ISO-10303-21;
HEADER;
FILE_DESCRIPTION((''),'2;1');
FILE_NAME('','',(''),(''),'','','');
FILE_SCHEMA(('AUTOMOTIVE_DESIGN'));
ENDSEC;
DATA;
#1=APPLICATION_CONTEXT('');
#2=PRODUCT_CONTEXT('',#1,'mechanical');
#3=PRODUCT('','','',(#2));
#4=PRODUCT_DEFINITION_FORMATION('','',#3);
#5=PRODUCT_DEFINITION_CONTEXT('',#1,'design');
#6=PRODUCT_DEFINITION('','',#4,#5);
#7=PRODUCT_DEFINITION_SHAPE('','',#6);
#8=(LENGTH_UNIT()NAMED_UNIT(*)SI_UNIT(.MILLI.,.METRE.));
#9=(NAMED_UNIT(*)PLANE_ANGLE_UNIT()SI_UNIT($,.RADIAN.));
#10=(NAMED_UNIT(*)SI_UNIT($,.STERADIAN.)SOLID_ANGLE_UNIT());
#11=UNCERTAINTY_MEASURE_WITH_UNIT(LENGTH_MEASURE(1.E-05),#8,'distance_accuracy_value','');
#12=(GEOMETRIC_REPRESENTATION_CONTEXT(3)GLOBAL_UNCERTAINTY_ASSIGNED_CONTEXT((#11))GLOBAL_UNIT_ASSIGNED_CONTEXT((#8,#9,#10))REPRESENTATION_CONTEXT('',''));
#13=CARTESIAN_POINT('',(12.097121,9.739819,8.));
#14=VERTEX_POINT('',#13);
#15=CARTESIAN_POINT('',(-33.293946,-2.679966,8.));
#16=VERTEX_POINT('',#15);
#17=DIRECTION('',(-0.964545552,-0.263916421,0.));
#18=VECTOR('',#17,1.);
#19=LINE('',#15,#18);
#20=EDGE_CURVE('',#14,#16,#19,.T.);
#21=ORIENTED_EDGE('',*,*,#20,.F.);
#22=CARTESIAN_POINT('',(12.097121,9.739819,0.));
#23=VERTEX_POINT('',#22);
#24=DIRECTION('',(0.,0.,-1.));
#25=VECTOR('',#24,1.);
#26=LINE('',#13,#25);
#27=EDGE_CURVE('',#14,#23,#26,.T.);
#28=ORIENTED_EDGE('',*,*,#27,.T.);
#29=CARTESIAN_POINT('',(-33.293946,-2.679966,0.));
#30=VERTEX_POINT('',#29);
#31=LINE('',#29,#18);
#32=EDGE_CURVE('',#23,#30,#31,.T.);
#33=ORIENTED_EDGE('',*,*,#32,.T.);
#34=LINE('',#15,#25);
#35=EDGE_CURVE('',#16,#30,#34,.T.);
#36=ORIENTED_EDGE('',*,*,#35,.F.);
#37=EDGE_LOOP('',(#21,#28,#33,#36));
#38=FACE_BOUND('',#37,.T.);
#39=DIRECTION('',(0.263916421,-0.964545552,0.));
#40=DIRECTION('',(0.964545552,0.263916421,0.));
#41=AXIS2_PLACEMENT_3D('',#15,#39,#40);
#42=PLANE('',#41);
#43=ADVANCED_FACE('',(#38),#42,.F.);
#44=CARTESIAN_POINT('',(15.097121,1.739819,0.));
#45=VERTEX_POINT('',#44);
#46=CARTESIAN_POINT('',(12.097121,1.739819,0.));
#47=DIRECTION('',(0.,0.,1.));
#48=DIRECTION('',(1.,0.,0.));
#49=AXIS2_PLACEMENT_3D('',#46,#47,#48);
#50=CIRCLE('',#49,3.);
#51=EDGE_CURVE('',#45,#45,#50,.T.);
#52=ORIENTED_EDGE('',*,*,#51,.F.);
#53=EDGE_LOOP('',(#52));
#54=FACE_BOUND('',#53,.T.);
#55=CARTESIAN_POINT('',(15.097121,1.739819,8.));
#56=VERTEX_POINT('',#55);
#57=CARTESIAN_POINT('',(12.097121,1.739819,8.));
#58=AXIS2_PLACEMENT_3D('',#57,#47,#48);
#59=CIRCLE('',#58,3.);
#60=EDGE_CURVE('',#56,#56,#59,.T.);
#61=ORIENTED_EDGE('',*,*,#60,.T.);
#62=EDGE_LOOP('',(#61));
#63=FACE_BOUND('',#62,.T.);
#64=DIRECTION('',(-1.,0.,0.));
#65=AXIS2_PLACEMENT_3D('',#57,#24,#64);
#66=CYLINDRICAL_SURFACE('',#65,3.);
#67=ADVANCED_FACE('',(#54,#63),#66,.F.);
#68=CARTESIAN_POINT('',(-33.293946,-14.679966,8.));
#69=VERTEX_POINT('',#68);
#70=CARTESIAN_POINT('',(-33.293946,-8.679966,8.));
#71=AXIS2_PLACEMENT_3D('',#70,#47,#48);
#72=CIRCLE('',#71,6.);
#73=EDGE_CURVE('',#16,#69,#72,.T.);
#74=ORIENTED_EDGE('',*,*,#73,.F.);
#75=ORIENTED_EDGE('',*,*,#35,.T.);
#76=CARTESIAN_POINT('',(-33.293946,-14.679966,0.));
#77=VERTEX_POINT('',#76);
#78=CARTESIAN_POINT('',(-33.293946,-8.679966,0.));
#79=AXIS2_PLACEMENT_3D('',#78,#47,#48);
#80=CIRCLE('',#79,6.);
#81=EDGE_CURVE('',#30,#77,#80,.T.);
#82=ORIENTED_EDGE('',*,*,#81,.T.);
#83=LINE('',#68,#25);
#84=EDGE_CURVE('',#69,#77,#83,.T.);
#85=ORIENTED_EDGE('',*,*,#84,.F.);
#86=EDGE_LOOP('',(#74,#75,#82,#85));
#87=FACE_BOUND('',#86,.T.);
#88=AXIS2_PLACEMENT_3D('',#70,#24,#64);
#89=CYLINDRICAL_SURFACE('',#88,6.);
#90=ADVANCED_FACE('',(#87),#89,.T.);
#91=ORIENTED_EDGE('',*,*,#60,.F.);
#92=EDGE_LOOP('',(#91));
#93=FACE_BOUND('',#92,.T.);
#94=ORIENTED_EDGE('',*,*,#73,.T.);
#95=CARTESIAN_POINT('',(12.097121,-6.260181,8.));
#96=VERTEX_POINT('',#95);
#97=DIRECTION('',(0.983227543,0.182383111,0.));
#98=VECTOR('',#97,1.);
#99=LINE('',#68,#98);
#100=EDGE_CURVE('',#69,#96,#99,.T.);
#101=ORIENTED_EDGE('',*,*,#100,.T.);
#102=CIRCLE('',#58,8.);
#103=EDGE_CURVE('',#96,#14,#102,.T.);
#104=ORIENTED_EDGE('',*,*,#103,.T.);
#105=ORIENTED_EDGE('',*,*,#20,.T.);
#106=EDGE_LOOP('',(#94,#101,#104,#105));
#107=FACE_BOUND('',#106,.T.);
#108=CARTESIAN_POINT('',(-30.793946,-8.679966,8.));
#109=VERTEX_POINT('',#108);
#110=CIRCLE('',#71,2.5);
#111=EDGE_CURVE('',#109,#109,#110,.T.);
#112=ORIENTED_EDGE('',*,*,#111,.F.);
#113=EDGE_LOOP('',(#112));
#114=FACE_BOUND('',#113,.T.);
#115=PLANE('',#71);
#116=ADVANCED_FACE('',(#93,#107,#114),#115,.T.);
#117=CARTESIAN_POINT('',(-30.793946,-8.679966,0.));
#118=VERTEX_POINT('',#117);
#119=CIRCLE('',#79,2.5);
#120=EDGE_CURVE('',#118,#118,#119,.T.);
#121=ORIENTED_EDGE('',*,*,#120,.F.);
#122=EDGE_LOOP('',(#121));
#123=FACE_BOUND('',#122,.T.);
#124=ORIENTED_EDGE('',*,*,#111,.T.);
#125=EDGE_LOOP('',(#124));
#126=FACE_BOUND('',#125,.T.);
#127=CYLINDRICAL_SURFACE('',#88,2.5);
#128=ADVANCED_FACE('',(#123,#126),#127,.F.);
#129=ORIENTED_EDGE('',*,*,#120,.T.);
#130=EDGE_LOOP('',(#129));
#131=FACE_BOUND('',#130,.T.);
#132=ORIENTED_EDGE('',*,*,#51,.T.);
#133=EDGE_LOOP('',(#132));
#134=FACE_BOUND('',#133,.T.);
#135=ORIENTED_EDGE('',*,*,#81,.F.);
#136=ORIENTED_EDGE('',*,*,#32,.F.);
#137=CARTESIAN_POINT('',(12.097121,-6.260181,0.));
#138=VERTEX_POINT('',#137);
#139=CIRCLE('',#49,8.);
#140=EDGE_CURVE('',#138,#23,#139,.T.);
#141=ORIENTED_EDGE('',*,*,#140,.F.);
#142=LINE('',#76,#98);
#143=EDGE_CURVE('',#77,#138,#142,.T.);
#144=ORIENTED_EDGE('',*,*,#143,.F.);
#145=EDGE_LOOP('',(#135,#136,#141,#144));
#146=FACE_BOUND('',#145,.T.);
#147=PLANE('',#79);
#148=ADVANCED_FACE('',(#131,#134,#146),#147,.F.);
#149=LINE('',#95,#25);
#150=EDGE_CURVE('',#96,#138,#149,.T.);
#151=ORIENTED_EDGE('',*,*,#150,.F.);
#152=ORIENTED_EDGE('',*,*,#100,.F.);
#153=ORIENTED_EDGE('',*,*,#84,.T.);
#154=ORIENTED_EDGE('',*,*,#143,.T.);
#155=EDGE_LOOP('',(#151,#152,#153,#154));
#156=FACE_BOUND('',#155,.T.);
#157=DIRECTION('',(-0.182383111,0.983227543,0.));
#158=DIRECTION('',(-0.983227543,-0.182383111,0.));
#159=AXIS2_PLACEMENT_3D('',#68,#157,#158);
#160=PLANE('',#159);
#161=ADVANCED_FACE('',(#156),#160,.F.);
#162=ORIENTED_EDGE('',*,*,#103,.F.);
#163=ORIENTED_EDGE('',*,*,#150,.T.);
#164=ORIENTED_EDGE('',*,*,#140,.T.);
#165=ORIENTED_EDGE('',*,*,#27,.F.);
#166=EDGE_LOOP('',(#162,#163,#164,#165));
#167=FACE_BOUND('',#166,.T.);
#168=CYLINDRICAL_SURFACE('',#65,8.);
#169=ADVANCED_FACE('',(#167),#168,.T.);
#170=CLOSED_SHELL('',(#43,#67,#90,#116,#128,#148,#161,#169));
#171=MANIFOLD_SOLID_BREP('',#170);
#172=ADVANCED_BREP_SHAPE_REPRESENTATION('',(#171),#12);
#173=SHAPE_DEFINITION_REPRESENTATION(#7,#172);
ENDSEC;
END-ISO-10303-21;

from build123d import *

# Parameters (mm, degrees)
SKETCH_1_R      = 3
SKETCH_1_R_2    = 2.5
EXTRUDE_1_DEPTH = 8


with BuildPart() as part:
    # Эскиз1 → Вытянуть1 (new body)
    with BuildSketch(Plane.XY):
        with BuildLine():
            Line((-33.293945803, -2.67996555), (12.097120792, 9.739818876))
            ThreePointArc((12.097120792, 9.739818876), (20.097120792, 1.739818876), (12.097120792, -6.260181124))
            Line((12.097120792, -6.260181124), (-33.293945803, -14.67996555))
            ThreePointArc((-33.293945803, -14.67996555), (-39.293945803, -8.67996555), (-33.293945803, -2.67996555))
        make_face()
        with Locations((12.097120792, 1.739818876)):
            Circle(SKETCH_1_R, mode=Mode.SUBTRACT)
        with Locations((-33.293945803, -8.67996555)):
            Circle(SKETCH_1_R_2, mode=Mode.SUBTRACT)
    extrude(amount=EXTRUDE_1_DEPTH)


solid = part.part
